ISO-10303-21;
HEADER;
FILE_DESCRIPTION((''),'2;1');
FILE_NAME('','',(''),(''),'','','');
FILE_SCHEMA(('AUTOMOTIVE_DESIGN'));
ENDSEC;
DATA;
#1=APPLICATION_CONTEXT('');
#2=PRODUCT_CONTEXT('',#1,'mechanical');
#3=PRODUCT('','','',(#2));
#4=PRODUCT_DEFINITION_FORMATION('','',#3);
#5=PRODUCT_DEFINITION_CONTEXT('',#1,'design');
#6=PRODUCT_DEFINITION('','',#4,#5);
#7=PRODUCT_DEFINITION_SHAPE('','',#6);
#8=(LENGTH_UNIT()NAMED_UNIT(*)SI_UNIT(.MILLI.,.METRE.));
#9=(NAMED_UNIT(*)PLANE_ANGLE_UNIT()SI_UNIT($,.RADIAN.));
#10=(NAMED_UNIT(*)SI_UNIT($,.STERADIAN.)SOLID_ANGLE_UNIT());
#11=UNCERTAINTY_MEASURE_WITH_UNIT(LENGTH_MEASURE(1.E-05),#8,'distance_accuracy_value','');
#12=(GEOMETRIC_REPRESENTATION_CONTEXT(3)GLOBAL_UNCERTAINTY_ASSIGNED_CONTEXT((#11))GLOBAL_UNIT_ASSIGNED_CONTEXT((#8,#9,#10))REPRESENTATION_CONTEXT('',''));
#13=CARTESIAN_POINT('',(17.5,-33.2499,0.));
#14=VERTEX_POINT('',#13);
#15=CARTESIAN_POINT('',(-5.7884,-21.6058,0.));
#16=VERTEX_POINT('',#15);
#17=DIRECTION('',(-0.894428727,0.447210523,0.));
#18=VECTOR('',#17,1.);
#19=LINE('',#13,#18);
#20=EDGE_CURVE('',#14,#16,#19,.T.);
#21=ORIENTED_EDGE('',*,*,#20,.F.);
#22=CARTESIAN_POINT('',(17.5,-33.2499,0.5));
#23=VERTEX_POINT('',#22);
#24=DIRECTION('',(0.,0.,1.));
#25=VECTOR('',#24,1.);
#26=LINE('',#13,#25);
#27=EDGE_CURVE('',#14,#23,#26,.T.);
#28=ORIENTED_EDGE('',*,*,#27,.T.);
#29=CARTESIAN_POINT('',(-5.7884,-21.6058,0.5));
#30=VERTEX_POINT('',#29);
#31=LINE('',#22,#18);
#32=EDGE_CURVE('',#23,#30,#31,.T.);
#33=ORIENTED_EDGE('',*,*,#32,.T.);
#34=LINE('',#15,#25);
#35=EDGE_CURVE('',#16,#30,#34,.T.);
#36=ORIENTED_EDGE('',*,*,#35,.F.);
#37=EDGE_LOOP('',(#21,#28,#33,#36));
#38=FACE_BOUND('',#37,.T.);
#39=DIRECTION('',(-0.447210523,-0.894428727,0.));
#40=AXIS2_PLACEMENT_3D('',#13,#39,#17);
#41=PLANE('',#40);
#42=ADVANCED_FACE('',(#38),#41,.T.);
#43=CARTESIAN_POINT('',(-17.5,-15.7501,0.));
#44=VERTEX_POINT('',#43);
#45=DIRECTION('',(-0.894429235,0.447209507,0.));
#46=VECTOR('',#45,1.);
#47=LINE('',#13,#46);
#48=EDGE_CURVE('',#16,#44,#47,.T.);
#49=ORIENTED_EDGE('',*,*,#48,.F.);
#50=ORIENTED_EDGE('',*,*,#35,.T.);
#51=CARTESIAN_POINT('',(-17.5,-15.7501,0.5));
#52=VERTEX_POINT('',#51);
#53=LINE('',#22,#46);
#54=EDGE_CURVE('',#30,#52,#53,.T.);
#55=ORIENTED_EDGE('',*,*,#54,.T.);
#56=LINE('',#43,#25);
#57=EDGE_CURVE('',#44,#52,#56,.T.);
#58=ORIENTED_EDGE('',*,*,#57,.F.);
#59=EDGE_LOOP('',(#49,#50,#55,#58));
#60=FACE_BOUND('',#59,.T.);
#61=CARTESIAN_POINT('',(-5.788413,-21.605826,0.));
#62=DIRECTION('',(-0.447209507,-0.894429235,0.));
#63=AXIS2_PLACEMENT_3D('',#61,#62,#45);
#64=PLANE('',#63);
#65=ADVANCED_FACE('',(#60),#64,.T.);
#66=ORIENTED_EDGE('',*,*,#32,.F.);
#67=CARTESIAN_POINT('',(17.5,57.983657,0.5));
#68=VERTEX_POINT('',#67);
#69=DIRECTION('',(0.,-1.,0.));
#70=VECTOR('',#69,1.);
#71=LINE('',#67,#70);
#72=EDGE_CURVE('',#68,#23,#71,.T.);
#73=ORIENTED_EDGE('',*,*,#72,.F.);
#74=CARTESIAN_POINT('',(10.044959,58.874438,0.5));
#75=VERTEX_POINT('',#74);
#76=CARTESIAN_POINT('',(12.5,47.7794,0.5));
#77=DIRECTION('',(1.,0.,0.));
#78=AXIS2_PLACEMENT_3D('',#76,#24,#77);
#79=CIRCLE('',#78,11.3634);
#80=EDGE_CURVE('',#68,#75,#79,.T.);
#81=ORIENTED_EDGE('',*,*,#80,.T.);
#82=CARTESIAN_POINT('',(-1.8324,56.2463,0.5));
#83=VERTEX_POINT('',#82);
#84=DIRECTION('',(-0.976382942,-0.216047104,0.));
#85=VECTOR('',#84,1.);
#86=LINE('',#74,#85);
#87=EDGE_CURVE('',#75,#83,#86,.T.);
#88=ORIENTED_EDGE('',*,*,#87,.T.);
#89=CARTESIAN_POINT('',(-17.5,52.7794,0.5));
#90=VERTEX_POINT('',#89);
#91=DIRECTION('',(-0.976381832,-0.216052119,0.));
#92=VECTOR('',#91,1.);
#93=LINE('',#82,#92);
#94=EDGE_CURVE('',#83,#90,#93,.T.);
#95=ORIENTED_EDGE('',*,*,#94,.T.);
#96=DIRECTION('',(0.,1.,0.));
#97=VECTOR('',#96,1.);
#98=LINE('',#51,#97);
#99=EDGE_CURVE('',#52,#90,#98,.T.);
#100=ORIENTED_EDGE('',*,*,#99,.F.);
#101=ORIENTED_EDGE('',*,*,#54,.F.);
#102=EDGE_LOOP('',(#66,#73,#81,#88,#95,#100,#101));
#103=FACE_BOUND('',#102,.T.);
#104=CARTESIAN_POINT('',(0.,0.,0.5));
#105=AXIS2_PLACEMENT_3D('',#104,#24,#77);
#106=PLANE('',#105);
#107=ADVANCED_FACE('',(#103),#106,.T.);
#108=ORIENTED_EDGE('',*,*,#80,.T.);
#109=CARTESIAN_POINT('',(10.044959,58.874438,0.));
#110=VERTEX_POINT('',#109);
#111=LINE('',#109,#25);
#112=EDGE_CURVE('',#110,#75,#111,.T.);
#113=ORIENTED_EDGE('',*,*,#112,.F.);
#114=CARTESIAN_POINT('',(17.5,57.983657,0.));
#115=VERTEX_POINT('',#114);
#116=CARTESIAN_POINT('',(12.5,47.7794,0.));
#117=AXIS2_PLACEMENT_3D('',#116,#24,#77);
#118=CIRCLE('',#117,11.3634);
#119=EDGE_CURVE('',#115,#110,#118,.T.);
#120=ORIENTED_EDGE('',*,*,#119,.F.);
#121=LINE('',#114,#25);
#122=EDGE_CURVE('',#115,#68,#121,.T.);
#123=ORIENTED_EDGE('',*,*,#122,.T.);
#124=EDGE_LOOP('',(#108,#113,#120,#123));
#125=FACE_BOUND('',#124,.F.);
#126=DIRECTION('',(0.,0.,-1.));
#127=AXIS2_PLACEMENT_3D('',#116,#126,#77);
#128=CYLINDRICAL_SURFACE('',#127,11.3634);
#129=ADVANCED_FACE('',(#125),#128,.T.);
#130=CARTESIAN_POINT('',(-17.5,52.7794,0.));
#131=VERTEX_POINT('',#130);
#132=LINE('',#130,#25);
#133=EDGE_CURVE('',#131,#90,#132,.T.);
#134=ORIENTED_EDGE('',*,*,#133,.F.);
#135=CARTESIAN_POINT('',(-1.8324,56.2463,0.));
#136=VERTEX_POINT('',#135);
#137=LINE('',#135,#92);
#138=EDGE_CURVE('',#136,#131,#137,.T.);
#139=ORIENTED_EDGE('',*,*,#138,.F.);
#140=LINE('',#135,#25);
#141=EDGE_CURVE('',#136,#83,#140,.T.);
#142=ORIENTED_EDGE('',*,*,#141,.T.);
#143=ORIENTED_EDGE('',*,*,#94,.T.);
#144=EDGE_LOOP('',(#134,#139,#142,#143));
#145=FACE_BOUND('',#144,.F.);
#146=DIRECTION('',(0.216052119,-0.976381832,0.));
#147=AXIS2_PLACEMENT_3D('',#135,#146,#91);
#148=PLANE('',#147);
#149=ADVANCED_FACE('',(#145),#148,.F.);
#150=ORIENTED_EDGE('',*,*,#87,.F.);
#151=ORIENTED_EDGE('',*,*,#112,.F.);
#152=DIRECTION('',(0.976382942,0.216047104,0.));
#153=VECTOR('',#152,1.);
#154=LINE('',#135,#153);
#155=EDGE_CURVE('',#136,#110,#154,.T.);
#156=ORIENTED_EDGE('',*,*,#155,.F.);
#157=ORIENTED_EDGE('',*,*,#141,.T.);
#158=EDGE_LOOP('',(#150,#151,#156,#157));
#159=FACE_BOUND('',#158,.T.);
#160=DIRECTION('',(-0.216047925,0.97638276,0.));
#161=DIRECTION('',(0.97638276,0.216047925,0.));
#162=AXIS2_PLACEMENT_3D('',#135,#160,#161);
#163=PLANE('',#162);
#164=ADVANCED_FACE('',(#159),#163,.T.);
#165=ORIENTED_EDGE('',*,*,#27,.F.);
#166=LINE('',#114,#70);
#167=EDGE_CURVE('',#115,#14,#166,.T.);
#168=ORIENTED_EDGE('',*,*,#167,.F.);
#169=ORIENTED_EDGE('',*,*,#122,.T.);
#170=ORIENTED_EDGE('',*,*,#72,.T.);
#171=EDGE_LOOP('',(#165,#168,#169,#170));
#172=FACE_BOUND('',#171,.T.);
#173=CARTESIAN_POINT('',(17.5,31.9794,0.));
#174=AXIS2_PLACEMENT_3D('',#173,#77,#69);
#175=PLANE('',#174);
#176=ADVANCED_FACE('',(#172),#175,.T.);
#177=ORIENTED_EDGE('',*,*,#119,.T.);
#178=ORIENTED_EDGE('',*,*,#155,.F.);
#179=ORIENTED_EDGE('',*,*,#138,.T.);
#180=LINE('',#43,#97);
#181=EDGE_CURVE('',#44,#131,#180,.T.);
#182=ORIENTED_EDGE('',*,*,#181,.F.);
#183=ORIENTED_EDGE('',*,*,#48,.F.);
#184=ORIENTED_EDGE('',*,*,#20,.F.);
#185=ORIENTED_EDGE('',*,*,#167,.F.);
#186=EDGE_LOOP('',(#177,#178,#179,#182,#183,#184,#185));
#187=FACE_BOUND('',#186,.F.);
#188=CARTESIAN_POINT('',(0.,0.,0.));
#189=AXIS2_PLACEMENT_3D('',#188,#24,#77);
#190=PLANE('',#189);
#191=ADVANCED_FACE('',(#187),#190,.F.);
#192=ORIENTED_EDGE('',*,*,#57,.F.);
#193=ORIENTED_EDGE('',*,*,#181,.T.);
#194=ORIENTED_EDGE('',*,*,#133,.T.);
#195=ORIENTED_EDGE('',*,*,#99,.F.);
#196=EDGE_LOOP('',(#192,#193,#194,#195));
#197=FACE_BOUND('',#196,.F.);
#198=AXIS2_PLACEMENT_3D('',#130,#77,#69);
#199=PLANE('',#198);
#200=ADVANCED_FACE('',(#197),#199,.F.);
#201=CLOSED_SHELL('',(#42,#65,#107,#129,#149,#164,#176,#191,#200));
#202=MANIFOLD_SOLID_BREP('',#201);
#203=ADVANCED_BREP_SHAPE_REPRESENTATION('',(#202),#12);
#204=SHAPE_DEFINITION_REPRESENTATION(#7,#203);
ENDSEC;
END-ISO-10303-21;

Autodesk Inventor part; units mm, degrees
ref_plane "YZ Plane" through (0, 0, 0) normal (1, 0, 0) x (0, 1, 0)
ref_plane "XZ Plane" through (0, 0, 0) normal (0, 1, 0) x (-1, 0, 0)
ref_plane "XY Plane" through (0, 0, 0) normal (0, 0, 1) x (1, 0, 0)
sketch "Sketch1" plane through (0, 0, 0) normal (0, 0, 1) x (1, 0, 0)
  line L0 (7.5, 3.8038) -> (3.6225, 3.8038) projected
  arc A0 (1.9153, 4.762) -> (3.6225, 3.8038) centre (3.6225, 5.8038) ccw projected
  line L1 (1.9153, 4.762) -> (-2.2072, 11.517) projected
  arc A1 (-2.5, 12.5588) -> (-2.2072, 11.517) centre (-0.5, 12.5588) ccw projected
  line L2 (-2.5, 12.5588) -> (-2.5, 21.8038) projected
  arc A2 (-0.5, 23.8038) -> (-2.5, 21.8038) centre (-0.5, 21.8038) ccw projected
  line L3 (-0.5, 23.8038) -> (7.5, 23.8038) projected
  line L4 (7.5, 23.8038) -> (7.5, 3.8038) projected
  spline S0 degree 3 poles (-6.0485, -11.2843) (-6.0213, -11.0209) (-5.9428, -10.7653) (-5.6929, -10.2997) (-5.524, -10.094) (-5.1467, -9.7842) (-4.9505, -9.6718) (-4.5292, -9.5173) (-4.3073, -9.4763) (-4.0832, -9.4731) knots 0 0 0 0 0.079442 0.079442 0.158531 0.158531 0.225919 0.225919 0.293184 0.293184 0.293184 0.293184 projected
  line L5 (-6.0485, -11.2843) -> (-6.563, -16.2598) projected
  line L6 (-6.563, -16.2598) -> (-6.8849, -19.6266) projected
  arc A3 (-6.8849, -19.6266) -> (-5.7884, -21.6058) centre (-4.894, -19.817) ccw projected
  line L7 (17.5, -33.2499) -> (-5.7884, -21.6058) projected
  line L8 (17.5, 31.9794) -> (17.5, -33.2499) projected
  arc A4 (4.376, 33.2499) -> (17.5, 31.9794) centre (12.5, 48.7499) ccw projected
  arc A5 (-1.8324, 56.2463) -> (4.376, 33.2499) centre (12.5, 47.7794) ccw projected
  line L9 (-1.8324, 56.2463) -> (-17.5, 52.7794) projected
  line L10 (-17.5, 52.7794) -> (-17.5, 3.0185) projected
  ellipse E0 centre (-15.5, 3.0185) end of major axis (-15.5, 1.0011) minor radius 2 (-17.5, 3.0185) -> (-15.6888, 1.0101) ccw projected
  line L11 (-15.6888, 1.0101) -> (-3.1949, -0.1848) projected
  line L12 (-3.1949, -0.1848) -> (-4.0832, -9.4731) projected
  circle A6 centre (-12, 26.728) radius 1.25 projected
  circle A7 centre (5.3255, 26.728) radius 1.25 projected
  line L13 (-14, 9.2999) -> (-10, 9.2999) projected
  line L14 (-14, 15.6999) -> (-14, 9.2999) projected
  line L15 (-10, 15.6999) -> (-14, 15.6999) projected
  line L16 (-10, 9.2999) -> (-10, 15.6999) projected
  line L17 (13.7851, 6.0601) -> (9.7851, 6.0601) projected
  line L18 (13.7851, -0.3399) -> (13.7851, 6.0601) projected
  line L19 (9.7851, -0.3399) -> (13.7851, -0.3399) projected
  line L20 (9.7851, 6.0601) -> (9.7851, -0.3399) projected
  circle A8 centre (7.1425, -8.6154) radius 1.25 projected
  line L21 (17.5, -33.2499) -> (-17.5, -15.7501) projected
  line L22 (-17.5, -15.7501) -> (-17.5, -17.9862) projected
  line L23 (-17.5, -17.9862) -> (17.5, -35.486) projected
  line L24 (17.5, -35.486) -> (17.5, -33.2499) projected
  line L25 (-1.4649, 56.8397) -> (-18, 53.1809) projected
  line L26 (-18, 53.1809) -> (-18, -17.9862) projected
  line L27 (-18, -17.9862) -> (-17.5, -17.9862) projected
  line L28 (-17.5, -17.9862) -> (-17.5, 52.7794) projected
  line L29 (-17.5, 52.7794) -> (-1.8324, 56.2463) projected
  arc A9 (-1.4649, 56.8397) -> (-1.8324, 56.2463) centre (12.5, 47.7794) ccw projected
  line L30 (19.5, -37.0206) -> (19.5, 31.9794) projected
  line L31 (19.5, 31.9794) -> (17.5, 31.9794) projected
  line L32 (17.5, -37.0206) -> (17.5, 31.9794) projected
  line L33 (19.5, -37.0206) -> (17.5, -37.0206) projected
  circle A10 centre (12.5, 47.7794) radius 15.02 projected
  line L34 (-1.4649, 56.8397) -> (-11.9805, 54.5129)
  line L35 (-11.9805, 54.5129) -> (26.5324, 63.5095)
  line L36 (17.5, 31.9794) -> (17.5, 20.7849)
  line L37 (17.5, 20.7849) -> (17.5, 78.444)
  circle A11 centre (12.5, 47.7794) radius 12.1257
  line L38 (-17.5, -15.7501) -> (-17.5, 52.7794)
  line L39 (-1.8324, 56.2463) -> (11.2654, 59.1445)
  line L40 (11.2654, 59.1445) -> (26.5324, 62.5227)
  circle A12 centre (12.5, 47.7794) radius 11.3634
  point P0 (0, 0)
  point P1 (17.5, 57.9837)
  point P2 (10.0449, 58.8745)
extrude "Extrusion1" add sketch "Sketch1" along normal blind 0.5 contours L0 A0 L1 A1 L2 A2 L3 L4 | L5 L6 A3 L21 L28 E0 L11 L12 S0 | S0 L12 L11 E0 L10 L9 A5 A4 L8 L7 A3 L6 L5 | L39 A10 L37 A4 A5 | L39 A11 L37 A10 | L39 A12 L37 A11 | A12 L37 | L14 L15 L16 L13 | L18 L19 L20 L17 picked at (9.8401, 51.5561)
sketch "Sketch2" plane through (0, 0, 0.5) normal (0, 0, 1) x (1, 0, 0)
  line L0 (17.5, -33.2499) -> (17.5, 57.9837) projected
  arc A0 (17.5, 57.9837) -> (10.0449, 58.8745) centre (12.5, 47.7794) ccw projected
  line L1 (10.0449, 58.8745) -> (-17.5, 52.7794) projected
  line L2 (-17.5, 52.7794) -> (-17.5, -15.7501) projected
  line L3 (-17.5, -15.7501) -> (17.5, -33.2499) projected
  circle A1 centre (-12, 26.728) radius 1.25 projected
  circle A2 centre (5.3255, 26.728) radius 1.25 projected
  circle A3 centre (7.1425, -8.6154) radius 1.25 projected
  point P0 (0, 0)
extrude "Extrusion2" add sketch "Sketch2" against normal blind 0.5 contours A1 | A2 | A3
properties part number "pokrywa lewa" material "Stal miękka, spawana"
